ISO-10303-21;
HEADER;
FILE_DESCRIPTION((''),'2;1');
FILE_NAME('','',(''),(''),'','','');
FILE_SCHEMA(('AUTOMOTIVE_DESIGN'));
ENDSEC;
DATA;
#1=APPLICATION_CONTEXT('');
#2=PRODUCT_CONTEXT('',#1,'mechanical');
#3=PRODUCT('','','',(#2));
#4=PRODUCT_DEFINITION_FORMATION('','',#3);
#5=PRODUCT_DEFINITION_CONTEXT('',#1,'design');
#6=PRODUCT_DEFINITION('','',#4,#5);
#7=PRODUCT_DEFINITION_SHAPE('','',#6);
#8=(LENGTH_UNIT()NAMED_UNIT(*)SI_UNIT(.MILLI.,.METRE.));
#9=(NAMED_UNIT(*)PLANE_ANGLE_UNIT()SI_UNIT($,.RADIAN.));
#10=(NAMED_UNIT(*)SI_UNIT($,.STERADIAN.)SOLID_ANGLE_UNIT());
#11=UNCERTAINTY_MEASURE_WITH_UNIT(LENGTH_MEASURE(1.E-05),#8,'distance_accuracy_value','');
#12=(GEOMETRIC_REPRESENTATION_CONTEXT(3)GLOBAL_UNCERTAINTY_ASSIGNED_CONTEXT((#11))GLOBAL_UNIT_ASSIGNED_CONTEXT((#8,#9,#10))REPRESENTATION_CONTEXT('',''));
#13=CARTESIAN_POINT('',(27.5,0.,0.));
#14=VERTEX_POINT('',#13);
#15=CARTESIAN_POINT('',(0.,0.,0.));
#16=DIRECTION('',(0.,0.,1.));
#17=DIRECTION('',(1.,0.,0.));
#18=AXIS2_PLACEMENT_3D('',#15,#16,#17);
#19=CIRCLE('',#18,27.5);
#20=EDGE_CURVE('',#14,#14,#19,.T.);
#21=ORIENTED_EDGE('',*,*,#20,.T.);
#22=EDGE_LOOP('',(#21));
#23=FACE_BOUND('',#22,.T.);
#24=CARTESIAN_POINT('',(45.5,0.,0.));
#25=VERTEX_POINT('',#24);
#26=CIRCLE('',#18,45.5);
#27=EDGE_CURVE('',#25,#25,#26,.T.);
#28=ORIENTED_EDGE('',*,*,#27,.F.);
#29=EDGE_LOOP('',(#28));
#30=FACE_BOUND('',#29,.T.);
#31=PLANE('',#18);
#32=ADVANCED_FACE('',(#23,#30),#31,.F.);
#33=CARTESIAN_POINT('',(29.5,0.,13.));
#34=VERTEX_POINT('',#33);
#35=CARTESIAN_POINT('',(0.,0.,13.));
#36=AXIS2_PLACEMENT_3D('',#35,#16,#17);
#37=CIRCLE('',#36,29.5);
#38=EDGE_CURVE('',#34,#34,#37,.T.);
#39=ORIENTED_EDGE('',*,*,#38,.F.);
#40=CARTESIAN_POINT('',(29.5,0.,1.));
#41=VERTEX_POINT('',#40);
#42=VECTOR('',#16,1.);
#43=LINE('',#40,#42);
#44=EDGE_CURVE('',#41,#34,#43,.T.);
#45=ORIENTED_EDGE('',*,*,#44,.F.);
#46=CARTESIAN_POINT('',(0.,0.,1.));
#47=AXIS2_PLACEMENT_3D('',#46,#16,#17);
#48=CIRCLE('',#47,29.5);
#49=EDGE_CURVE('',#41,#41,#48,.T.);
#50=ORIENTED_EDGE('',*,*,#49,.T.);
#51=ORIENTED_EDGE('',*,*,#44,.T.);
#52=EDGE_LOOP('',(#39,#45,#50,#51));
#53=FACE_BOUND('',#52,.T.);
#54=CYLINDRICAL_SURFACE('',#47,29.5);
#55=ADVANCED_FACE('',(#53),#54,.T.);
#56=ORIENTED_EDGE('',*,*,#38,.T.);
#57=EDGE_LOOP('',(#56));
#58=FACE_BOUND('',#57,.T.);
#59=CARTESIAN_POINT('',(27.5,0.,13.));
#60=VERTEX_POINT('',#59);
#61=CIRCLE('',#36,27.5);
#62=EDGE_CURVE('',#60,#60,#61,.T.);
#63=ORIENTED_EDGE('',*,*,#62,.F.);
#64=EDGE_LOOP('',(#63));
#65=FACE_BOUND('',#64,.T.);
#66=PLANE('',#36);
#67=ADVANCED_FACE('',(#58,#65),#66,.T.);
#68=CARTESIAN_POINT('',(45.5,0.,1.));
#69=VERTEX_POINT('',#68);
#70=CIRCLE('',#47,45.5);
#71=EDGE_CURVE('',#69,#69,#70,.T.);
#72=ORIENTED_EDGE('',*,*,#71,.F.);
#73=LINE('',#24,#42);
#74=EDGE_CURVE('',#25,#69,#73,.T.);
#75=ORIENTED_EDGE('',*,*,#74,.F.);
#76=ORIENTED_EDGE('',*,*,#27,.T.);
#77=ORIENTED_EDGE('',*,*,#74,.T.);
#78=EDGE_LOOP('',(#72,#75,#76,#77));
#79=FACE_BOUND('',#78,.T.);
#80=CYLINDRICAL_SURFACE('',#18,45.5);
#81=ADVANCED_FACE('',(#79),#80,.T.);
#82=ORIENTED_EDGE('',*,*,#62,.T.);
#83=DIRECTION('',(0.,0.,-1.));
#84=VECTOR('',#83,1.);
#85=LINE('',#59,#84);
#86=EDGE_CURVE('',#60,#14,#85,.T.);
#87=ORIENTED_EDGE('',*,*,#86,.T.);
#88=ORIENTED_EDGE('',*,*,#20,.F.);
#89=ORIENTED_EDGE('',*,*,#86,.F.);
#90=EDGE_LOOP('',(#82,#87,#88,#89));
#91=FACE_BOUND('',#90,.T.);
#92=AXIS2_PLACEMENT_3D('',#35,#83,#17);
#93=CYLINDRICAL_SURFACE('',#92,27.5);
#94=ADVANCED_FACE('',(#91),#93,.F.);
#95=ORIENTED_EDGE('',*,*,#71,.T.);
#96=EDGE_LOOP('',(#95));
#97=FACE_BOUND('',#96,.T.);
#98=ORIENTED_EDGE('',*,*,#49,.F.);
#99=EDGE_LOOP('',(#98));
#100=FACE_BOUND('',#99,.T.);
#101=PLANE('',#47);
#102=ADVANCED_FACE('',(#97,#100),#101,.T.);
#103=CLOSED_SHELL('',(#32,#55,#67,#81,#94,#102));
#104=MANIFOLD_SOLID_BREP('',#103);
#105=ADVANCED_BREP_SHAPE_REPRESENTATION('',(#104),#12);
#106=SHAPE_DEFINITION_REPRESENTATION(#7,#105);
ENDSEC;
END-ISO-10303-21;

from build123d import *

# Parameters (mm, degrees)
REVOLVE_ONTO_SKETCH_ROLL_ANGLE = 90


with BuildPart() as part:
    # Sketch as drawn → Revolve (revolve)
    with BuildSketch(Plane.XY):
        Polygon((27.5, 0), (45.5, 0), (45.5, 1), (29.5, 1), (29.5, 13), (27.5, 13), align=None)
    revolve(axis=Axis((0, 0, 0), (0, 1, 0)))


with BuildPart() as part_1:
    # Revolve onto Sketch roll: moved
    add(part.part.rotate(Axis((0, 0, 0), (1, 0, 0)), REVOLVE_ONTO_SKETCH_ROLL_ANGLE))


with BuildPart() as part_2:
    # Revolve onto Sketch placement: moved
    add(part_1.part)


solid = part_2.part
